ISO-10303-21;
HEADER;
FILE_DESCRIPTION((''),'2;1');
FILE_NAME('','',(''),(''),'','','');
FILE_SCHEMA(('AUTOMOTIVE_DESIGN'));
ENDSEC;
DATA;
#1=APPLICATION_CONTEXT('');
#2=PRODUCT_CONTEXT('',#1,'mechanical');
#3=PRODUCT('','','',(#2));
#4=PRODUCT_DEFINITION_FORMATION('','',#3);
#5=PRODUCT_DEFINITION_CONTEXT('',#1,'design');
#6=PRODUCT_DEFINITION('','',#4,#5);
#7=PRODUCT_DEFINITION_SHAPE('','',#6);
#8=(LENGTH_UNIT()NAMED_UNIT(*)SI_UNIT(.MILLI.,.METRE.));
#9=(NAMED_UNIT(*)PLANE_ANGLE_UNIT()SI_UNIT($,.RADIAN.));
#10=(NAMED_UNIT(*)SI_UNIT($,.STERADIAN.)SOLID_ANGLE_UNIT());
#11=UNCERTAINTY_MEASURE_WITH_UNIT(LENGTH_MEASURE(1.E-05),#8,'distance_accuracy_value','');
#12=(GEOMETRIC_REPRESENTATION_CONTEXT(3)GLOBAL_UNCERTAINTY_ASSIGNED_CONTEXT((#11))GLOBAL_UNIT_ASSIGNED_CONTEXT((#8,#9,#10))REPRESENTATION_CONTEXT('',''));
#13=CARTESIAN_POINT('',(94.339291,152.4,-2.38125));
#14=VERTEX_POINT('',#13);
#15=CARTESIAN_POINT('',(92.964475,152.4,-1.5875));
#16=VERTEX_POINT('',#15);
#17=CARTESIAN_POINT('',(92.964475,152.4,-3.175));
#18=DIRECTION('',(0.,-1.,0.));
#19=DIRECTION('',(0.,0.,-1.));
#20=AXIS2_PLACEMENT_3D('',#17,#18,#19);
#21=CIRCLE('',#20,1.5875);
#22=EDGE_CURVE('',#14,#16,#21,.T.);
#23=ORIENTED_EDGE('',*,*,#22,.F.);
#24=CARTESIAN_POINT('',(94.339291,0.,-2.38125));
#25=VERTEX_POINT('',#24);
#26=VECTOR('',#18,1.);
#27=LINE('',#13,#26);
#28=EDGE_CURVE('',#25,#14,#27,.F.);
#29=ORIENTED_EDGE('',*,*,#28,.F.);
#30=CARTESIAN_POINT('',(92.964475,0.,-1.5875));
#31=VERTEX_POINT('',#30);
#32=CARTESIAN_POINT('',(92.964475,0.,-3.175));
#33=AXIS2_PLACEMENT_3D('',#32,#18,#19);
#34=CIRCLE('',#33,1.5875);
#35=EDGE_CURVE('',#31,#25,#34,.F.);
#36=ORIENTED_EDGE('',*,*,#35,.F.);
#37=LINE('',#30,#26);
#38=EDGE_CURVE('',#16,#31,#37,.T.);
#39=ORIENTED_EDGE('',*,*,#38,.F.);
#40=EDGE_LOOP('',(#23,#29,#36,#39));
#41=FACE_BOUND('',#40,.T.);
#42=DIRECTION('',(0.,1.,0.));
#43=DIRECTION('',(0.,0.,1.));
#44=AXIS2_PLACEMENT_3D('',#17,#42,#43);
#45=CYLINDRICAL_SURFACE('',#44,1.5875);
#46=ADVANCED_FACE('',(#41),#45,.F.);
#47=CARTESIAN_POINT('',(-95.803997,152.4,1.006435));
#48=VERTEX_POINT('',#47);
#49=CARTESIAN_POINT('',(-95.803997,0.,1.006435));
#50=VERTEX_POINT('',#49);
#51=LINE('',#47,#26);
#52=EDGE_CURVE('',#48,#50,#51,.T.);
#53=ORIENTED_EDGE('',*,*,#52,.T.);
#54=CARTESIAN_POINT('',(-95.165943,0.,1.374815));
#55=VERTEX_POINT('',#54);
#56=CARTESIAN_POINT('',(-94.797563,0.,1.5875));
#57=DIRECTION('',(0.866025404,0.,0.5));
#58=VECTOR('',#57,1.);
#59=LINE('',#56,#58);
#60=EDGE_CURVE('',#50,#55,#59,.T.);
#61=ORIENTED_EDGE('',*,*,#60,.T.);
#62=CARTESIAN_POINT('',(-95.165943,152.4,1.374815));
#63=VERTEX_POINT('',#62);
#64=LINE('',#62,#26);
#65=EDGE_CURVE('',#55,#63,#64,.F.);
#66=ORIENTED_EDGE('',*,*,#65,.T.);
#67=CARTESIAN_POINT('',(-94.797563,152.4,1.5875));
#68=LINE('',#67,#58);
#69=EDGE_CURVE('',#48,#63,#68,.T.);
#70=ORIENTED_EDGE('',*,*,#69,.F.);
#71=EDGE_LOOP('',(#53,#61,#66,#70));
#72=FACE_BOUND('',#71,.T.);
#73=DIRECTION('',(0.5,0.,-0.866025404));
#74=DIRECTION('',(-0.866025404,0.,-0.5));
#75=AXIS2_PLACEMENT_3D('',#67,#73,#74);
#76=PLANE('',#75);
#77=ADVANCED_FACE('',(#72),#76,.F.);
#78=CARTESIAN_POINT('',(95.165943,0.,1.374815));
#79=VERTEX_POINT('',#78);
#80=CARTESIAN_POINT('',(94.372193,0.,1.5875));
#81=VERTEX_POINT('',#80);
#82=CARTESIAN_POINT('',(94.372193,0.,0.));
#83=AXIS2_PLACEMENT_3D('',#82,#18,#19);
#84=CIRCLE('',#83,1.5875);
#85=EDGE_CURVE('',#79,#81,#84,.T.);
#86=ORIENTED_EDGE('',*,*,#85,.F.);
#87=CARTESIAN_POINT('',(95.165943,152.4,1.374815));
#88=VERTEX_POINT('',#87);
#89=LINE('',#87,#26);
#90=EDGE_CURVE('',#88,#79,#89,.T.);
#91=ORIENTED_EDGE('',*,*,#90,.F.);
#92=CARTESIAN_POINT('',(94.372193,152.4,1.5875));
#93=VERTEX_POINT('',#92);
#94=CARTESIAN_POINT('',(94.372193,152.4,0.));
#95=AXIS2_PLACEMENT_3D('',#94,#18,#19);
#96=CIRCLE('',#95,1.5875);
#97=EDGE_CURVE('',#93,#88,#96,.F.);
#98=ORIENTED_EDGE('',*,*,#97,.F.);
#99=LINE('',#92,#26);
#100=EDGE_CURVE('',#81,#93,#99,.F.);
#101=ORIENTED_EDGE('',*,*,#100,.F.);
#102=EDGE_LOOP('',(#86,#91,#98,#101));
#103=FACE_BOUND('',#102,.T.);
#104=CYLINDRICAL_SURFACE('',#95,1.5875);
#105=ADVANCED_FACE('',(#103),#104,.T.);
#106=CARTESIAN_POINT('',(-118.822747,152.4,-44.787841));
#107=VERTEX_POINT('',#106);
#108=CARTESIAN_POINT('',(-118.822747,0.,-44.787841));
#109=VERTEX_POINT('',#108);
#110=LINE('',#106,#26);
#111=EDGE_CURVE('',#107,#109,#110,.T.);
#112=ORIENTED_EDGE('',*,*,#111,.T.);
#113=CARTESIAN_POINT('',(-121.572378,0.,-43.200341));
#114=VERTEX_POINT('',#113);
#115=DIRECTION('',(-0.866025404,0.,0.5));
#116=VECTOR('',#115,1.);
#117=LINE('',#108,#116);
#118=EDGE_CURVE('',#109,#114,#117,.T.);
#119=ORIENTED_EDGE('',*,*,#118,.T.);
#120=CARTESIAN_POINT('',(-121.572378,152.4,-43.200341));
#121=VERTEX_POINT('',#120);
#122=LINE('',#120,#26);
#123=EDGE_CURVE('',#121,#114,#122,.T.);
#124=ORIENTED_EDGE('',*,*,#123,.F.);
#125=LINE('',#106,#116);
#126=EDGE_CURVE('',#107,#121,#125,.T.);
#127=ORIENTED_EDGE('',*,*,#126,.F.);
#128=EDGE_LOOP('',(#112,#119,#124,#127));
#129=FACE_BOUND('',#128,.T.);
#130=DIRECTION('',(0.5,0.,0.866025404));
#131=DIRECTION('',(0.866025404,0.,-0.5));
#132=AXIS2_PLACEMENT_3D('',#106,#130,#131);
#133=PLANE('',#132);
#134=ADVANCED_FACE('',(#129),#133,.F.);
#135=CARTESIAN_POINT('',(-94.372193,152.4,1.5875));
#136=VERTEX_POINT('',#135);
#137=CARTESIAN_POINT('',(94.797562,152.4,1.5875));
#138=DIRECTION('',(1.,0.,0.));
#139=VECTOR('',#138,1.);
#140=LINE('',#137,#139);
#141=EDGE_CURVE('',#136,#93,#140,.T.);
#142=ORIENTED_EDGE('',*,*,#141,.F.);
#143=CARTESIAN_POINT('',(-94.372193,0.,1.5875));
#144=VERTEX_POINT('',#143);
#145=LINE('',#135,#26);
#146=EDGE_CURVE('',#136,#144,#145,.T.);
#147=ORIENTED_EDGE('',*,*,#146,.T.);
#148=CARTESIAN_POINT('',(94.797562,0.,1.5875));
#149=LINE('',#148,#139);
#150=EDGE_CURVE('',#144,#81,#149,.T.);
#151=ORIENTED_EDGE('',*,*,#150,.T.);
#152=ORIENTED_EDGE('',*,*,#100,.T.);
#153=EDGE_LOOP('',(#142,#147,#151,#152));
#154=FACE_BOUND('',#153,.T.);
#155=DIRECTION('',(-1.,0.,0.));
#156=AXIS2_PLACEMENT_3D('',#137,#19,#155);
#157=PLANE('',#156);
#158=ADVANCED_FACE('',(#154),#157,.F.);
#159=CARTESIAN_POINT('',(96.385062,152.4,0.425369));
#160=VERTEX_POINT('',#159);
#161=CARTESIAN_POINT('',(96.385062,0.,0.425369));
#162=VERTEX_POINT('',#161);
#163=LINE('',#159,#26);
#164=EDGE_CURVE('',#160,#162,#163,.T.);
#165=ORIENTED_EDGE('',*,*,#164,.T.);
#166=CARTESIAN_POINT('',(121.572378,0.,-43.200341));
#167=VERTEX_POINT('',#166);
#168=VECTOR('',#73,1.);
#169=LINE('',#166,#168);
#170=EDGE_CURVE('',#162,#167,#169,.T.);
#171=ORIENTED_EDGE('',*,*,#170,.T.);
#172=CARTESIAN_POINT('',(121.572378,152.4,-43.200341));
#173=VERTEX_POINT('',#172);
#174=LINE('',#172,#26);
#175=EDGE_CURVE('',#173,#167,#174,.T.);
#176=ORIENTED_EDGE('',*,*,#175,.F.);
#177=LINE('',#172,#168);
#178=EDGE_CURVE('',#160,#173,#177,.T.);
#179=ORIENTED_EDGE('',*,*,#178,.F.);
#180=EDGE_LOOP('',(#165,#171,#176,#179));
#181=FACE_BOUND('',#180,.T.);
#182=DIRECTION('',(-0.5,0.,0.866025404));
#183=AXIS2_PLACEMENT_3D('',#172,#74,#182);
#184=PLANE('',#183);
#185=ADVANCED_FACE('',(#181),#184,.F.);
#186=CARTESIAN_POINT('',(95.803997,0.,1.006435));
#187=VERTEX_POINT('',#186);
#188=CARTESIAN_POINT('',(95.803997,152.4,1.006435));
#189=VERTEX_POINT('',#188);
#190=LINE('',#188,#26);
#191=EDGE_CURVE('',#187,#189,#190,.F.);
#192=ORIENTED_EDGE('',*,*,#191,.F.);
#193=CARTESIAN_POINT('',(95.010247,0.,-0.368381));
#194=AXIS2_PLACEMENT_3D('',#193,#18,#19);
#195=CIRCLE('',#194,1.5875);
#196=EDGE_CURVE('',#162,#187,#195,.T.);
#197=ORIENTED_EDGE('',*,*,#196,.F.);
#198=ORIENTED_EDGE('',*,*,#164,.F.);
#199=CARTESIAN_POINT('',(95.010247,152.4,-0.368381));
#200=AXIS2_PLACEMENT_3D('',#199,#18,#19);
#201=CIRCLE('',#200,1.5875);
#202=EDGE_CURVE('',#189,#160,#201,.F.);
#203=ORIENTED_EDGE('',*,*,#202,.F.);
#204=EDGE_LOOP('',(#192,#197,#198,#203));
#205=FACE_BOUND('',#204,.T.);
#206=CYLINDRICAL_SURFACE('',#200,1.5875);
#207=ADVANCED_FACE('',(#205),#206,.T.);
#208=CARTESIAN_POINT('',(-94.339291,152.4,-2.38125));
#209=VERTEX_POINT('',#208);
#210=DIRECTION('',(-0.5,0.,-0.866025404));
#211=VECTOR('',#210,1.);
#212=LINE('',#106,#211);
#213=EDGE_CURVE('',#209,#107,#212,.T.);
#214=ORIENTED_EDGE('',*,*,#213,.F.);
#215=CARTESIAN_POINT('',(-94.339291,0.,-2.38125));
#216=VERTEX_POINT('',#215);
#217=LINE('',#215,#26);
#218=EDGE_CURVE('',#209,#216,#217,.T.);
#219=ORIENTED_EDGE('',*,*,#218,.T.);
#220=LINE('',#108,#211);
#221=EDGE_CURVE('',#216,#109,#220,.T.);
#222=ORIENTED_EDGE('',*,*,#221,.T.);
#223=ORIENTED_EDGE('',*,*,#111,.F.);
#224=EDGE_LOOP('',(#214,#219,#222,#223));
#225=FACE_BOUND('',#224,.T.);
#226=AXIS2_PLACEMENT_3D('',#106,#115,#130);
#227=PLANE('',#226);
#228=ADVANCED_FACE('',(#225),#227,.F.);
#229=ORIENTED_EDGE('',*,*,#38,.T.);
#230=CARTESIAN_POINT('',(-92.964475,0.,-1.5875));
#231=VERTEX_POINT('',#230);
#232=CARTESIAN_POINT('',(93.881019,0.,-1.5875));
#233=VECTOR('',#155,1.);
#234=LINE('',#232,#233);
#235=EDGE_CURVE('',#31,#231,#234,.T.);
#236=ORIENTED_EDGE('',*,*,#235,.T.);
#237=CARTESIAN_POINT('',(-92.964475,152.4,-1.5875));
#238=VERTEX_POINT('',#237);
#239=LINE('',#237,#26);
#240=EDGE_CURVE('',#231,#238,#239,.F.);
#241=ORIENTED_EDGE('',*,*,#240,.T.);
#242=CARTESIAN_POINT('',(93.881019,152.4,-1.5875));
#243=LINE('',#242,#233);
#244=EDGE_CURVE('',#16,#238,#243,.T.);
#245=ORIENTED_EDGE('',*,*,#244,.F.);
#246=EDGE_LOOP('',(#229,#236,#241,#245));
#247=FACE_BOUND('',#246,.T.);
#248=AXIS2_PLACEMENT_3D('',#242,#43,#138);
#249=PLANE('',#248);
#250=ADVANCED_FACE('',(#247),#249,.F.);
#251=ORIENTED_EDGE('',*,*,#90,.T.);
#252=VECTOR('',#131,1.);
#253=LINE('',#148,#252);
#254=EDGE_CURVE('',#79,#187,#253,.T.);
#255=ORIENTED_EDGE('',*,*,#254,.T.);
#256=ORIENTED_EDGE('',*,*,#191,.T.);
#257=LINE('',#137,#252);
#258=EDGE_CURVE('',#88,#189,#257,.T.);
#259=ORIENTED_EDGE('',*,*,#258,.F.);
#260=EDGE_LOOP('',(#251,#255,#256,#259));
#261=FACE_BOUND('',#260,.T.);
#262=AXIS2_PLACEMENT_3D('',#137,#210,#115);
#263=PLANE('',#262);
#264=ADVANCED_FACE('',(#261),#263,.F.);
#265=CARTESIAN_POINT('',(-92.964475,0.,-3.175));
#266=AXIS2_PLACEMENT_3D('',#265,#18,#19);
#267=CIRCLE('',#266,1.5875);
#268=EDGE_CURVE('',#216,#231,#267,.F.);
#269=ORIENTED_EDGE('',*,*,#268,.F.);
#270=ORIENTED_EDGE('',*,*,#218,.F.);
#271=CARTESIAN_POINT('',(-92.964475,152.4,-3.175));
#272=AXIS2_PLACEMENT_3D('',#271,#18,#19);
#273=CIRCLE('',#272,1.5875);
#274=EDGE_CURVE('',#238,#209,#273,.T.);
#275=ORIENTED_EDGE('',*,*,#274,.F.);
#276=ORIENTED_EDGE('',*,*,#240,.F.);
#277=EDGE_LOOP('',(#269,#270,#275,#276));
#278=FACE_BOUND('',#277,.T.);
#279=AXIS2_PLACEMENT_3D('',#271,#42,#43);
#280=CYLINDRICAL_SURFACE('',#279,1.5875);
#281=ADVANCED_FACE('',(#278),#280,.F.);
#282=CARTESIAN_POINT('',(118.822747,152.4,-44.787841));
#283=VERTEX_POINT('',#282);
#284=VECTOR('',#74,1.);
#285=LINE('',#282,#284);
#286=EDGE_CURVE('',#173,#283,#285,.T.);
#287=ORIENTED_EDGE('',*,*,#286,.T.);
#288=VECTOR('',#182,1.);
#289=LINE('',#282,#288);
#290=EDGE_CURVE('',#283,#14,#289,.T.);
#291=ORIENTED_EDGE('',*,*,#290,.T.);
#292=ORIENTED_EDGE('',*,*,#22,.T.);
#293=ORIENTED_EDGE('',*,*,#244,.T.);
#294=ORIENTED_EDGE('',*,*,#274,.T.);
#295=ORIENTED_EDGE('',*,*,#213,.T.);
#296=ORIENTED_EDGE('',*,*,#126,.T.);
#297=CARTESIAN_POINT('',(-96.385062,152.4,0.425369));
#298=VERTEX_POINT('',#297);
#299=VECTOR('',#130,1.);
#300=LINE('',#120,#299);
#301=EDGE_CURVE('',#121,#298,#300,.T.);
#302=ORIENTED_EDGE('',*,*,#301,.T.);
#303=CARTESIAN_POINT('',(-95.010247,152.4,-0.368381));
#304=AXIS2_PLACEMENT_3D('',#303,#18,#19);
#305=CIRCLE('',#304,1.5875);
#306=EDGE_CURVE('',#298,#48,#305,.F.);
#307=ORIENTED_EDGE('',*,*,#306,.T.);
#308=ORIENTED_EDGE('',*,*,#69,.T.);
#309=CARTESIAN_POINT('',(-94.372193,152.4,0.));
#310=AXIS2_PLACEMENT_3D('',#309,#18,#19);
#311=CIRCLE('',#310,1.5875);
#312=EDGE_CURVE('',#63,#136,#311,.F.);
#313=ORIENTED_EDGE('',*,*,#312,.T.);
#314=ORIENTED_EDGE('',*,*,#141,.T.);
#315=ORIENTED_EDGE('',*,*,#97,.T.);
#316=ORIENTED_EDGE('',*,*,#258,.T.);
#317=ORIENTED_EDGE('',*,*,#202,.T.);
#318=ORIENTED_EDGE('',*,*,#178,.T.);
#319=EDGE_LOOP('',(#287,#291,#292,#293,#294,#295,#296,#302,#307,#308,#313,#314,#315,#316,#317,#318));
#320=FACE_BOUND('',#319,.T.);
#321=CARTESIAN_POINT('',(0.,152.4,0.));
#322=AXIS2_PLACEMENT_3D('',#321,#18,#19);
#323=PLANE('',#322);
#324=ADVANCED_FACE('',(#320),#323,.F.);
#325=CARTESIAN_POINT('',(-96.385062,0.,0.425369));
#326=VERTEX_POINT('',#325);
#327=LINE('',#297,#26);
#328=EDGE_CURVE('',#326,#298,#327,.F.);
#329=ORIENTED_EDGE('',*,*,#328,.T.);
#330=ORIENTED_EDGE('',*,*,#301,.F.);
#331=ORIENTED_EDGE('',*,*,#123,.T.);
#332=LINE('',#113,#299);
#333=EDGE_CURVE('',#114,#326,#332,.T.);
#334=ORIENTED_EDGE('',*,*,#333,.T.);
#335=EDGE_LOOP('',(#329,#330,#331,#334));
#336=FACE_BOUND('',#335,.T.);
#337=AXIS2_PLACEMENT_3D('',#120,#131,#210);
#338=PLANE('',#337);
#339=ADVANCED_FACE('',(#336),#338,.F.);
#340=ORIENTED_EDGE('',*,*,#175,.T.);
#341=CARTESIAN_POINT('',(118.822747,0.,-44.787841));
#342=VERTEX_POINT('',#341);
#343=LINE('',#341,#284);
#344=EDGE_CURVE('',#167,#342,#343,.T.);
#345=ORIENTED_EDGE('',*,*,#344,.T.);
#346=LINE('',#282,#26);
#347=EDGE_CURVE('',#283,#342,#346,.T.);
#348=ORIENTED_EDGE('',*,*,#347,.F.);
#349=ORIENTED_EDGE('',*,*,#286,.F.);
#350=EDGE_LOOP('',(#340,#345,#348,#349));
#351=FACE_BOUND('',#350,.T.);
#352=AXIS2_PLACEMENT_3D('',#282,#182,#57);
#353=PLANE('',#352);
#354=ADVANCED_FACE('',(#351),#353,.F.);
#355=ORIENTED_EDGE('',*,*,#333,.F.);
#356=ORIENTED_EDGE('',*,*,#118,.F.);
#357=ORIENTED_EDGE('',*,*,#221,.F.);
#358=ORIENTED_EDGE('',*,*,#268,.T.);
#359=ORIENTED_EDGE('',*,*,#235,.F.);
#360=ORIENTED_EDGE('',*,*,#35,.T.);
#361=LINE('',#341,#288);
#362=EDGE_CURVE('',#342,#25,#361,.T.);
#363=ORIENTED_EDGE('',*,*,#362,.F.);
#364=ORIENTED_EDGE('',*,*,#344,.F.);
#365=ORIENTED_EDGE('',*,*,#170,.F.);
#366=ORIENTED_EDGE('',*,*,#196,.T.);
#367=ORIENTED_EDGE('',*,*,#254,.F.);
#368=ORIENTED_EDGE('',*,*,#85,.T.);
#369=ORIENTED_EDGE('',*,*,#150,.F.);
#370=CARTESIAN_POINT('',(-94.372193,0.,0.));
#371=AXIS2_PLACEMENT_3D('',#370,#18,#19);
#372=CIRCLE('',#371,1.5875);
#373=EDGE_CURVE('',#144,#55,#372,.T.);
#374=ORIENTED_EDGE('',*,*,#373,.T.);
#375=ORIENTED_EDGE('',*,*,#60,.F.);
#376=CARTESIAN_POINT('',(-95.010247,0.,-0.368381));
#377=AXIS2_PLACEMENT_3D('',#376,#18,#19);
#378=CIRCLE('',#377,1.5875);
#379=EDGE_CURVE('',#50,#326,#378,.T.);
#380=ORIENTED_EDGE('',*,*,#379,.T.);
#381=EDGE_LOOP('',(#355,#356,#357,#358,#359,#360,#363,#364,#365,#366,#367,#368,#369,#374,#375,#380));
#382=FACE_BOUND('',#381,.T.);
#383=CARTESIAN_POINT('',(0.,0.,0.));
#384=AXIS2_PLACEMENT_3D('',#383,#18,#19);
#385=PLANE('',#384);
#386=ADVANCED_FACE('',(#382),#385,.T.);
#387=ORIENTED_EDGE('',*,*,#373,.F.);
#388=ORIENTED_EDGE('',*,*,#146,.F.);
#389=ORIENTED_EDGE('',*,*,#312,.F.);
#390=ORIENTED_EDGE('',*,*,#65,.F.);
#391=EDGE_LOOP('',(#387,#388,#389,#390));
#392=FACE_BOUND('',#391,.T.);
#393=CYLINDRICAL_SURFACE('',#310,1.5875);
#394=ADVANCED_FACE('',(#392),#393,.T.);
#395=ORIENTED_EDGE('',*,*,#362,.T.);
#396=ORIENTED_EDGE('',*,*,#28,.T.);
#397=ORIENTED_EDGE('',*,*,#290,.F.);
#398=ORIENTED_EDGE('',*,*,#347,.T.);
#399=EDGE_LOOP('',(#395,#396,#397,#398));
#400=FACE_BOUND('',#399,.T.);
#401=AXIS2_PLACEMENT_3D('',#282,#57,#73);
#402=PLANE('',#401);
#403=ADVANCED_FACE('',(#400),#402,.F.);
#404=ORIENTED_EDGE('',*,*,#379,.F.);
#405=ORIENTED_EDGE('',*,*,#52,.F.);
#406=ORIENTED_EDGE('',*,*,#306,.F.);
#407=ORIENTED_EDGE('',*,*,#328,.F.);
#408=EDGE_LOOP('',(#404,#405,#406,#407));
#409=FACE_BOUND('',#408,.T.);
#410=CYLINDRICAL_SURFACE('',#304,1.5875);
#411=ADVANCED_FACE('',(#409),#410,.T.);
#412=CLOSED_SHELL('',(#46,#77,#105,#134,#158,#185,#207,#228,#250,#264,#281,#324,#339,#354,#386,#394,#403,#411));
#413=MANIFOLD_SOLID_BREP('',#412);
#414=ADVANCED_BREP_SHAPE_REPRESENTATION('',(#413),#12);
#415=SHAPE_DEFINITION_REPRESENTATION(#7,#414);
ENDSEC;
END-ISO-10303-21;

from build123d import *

# Parameters (mm, degrees)
BOSS_EXTRUDE1_DEPTH = 152.4
FILLET1_R           = 1.5875


with BuildPart() as part:
    # Sketch1 → Boss-Extrude1 (new body)
    with BuildSketch(Plane(origin=(0, 0, 0), x_dir=(1, 0, 0), z_dir=(0, 1, 0))):
        Polygon((94.7975625, -1.5875), (-94.7975625, -1.5875), (-96.172377829, -0.79375), (-121.572377829, 43.200340512), (-118.822747171, 44.787840512), (-93.881018948, 1.5875), (93.881018948, 1.5875), (118.822747171, 44.787840512), (121.572377829, 43.200340512), (96.172377829, -0.79375), align=None)
    extrude(amount=BOSS_EXTRUDE1_DEPTH)

    # Fillet1
    fillet1_edges = [part.edges().sort_by_distance(p)[0] for p in [
        (94.7975625, 76.2, 1.5875),
        (-94.7975625, 76.2, 1.5875),
        (-96.172377829, 76.2, 0.79375),
        (-93.881018948, 76.2, -1.5875),
        (93.881018948, 76.2, -1.5875),
        (96.172377829, 76.2, 0.79375),
    ]]
    fillet(fillet1_edges, radius=FILLET1_R)


solid = part.part
